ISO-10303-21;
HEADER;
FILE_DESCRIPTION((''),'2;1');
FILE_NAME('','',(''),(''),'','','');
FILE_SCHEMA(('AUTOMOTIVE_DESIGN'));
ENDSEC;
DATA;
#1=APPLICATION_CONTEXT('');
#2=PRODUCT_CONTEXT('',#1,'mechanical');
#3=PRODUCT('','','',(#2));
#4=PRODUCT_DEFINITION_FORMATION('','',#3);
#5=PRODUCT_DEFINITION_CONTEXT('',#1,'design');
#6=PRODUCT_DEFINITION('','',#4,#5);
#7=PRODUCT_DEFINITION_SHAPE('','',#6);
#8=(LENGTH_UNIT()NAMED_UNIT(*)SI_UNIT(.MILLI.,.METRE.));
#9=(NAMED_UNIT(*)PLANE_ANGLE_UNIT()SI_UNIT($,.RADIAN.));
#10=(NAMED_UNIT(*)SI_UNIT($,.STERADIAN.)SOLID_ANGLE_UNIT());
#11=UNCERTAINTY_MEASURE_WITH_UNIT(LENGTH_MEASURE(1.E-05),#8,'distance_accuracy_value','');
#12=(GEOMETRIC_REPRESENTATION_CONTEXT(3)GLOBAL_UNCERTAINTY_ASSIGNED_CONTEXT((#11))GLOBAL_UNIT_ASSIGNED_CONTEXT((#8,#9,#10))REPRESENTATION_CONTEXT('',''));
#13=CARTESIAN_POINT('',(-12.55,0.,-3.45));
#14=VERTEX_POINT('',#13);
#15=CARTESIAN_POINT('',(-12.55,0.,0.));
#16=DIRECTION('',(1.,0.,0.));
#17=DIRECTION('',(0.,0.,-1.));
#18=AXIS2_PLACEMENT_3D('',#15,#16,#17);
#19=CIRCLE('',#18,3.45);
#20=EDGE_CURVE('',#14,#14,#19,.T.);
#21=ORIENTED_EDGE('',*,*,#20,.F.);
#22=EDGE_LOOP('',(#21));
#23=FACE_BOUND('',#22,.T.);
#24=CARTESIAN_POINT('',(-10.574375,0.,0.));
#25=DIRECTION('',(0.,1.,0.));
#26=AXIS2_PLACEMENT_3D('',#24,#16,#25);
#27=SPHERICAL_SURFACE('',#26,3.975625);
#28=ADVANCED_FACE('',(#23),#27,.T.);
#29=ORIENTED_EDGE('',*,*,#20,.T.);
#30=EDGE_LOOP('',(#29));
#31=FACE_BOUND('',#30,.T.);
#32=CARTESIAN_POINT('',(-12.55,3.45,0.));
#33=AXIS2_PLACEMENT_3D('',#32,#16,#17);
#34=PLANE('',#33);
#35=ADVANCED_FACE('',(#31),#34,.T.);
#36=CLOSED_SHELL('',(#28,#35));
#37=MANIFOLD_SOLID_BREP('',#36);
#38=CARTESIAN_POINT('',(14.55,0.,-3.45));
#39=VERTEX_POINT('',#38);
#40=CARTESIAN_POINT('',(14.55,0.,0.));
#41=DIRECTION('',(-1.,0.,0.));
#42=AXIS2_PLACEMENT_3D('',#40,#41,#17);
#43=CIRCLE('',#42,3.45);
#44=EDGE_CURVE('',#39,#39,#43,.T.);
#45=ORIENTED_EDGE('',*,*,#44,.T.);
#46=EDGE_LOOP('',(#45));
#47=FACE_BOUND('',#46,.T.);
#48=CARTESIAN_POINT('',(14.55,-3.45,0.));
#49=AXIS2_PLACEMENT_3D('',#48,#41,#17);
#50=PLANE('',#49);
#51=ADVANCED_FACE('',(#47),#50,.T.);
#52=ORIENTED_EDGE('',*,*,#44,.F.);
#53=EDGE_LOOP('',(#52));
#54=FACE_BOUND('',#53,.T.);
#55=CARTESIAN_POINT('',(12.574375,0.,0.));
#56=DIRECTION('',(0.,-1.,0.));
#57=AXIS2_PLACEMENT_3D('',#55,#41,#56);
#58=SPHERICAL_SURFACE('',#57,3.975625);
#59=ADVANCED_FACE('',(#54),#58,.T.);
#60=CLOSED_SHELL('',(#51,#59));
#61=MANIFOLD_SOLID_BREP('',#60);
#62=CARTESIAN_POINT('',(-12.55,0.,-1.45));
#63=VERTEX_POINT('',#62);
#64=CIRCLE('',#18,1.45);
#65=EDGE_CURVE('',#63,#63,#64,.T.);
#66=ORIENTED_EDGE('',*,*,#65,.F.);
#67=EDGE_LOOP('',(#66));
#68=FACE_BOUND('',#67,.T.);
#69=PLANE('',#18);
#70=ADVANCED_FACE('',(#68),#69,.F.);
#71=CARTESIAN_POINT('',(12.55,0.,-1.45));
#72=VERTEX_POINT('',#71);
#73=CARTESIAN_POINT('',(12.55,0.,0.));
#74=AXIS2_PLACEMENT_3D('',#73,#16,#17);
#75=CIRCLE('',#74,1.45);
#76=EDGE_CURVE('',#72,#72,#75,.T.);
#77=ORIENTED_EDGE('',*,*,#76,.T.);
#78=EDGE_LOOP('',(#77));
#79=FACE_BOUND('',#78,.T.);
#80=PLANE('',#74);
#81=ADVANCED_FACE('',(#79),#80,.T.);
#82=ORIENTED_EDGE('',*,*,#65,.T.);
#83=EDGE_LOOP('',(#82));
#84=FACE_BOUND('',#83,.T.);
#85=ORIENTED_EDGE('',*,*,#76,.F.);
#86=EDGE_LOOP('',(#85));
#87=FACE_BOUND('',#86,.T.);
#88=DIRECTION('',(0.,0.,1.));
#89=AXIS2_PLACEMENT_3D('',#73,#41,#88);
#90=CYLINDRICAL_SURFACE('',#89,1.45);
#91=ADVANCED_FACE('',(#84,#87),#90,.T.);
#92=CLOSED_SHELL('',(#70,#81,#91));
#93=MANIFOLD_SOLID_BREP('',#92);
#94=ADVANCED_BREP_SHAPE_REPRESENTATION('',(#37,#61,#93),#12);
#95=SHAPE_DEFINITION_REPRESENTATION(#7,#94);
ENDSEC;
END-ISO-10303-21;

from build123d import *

# Parameters (mm, degrees)
SKETCH2_R           = 1.45
BOSS_EXTRUDE1_DEPTH = 12.55
CIRPATTERN3_COUNT   = 2


with BuildPart() as part:
    # Sketch2 → Boss-Extrude1 (new, symmetric)
    with BuildSketch(Plane.YZ):
        with Locations(Location((0, 0, 0), (0, 0, 270))):
            Circle(SKETCH2_R)
    extrude(amount=BOSS_EXTRUDE1_DEPTH, both=True)


with BuildPart() as body_2:
    # Sketch3 → Revolve1 (revolve)
    with BuildSketch(Plane(origin=(0, 0, 0), x_dir=(0, 1, 0), z_dir=(0, 0, 1))):
        with BuildLine():
            Line((0, 12.55), (0, 14.55))
            ThreePointArc((0, 14.55), (1.993896938, 14.013847218), (3.45, 12.55))
            Line((3.45, 12.55), (0, 12.55))
        make_face()
    revolve(axis=Axis((-12.55, 0, 0), (-1, 0, 0)))


with BuildPart() as cirpattern3_1:
    # CirPattern3: pattern copy
    add(body_2.part.rotate(Axis((1, 0, 0), (0, 0, 1)), 1 * 360 / CIRPATTERN3_COUNT))


solid = Compound([part.part, body_2.part, cirpattern3_1.part])
